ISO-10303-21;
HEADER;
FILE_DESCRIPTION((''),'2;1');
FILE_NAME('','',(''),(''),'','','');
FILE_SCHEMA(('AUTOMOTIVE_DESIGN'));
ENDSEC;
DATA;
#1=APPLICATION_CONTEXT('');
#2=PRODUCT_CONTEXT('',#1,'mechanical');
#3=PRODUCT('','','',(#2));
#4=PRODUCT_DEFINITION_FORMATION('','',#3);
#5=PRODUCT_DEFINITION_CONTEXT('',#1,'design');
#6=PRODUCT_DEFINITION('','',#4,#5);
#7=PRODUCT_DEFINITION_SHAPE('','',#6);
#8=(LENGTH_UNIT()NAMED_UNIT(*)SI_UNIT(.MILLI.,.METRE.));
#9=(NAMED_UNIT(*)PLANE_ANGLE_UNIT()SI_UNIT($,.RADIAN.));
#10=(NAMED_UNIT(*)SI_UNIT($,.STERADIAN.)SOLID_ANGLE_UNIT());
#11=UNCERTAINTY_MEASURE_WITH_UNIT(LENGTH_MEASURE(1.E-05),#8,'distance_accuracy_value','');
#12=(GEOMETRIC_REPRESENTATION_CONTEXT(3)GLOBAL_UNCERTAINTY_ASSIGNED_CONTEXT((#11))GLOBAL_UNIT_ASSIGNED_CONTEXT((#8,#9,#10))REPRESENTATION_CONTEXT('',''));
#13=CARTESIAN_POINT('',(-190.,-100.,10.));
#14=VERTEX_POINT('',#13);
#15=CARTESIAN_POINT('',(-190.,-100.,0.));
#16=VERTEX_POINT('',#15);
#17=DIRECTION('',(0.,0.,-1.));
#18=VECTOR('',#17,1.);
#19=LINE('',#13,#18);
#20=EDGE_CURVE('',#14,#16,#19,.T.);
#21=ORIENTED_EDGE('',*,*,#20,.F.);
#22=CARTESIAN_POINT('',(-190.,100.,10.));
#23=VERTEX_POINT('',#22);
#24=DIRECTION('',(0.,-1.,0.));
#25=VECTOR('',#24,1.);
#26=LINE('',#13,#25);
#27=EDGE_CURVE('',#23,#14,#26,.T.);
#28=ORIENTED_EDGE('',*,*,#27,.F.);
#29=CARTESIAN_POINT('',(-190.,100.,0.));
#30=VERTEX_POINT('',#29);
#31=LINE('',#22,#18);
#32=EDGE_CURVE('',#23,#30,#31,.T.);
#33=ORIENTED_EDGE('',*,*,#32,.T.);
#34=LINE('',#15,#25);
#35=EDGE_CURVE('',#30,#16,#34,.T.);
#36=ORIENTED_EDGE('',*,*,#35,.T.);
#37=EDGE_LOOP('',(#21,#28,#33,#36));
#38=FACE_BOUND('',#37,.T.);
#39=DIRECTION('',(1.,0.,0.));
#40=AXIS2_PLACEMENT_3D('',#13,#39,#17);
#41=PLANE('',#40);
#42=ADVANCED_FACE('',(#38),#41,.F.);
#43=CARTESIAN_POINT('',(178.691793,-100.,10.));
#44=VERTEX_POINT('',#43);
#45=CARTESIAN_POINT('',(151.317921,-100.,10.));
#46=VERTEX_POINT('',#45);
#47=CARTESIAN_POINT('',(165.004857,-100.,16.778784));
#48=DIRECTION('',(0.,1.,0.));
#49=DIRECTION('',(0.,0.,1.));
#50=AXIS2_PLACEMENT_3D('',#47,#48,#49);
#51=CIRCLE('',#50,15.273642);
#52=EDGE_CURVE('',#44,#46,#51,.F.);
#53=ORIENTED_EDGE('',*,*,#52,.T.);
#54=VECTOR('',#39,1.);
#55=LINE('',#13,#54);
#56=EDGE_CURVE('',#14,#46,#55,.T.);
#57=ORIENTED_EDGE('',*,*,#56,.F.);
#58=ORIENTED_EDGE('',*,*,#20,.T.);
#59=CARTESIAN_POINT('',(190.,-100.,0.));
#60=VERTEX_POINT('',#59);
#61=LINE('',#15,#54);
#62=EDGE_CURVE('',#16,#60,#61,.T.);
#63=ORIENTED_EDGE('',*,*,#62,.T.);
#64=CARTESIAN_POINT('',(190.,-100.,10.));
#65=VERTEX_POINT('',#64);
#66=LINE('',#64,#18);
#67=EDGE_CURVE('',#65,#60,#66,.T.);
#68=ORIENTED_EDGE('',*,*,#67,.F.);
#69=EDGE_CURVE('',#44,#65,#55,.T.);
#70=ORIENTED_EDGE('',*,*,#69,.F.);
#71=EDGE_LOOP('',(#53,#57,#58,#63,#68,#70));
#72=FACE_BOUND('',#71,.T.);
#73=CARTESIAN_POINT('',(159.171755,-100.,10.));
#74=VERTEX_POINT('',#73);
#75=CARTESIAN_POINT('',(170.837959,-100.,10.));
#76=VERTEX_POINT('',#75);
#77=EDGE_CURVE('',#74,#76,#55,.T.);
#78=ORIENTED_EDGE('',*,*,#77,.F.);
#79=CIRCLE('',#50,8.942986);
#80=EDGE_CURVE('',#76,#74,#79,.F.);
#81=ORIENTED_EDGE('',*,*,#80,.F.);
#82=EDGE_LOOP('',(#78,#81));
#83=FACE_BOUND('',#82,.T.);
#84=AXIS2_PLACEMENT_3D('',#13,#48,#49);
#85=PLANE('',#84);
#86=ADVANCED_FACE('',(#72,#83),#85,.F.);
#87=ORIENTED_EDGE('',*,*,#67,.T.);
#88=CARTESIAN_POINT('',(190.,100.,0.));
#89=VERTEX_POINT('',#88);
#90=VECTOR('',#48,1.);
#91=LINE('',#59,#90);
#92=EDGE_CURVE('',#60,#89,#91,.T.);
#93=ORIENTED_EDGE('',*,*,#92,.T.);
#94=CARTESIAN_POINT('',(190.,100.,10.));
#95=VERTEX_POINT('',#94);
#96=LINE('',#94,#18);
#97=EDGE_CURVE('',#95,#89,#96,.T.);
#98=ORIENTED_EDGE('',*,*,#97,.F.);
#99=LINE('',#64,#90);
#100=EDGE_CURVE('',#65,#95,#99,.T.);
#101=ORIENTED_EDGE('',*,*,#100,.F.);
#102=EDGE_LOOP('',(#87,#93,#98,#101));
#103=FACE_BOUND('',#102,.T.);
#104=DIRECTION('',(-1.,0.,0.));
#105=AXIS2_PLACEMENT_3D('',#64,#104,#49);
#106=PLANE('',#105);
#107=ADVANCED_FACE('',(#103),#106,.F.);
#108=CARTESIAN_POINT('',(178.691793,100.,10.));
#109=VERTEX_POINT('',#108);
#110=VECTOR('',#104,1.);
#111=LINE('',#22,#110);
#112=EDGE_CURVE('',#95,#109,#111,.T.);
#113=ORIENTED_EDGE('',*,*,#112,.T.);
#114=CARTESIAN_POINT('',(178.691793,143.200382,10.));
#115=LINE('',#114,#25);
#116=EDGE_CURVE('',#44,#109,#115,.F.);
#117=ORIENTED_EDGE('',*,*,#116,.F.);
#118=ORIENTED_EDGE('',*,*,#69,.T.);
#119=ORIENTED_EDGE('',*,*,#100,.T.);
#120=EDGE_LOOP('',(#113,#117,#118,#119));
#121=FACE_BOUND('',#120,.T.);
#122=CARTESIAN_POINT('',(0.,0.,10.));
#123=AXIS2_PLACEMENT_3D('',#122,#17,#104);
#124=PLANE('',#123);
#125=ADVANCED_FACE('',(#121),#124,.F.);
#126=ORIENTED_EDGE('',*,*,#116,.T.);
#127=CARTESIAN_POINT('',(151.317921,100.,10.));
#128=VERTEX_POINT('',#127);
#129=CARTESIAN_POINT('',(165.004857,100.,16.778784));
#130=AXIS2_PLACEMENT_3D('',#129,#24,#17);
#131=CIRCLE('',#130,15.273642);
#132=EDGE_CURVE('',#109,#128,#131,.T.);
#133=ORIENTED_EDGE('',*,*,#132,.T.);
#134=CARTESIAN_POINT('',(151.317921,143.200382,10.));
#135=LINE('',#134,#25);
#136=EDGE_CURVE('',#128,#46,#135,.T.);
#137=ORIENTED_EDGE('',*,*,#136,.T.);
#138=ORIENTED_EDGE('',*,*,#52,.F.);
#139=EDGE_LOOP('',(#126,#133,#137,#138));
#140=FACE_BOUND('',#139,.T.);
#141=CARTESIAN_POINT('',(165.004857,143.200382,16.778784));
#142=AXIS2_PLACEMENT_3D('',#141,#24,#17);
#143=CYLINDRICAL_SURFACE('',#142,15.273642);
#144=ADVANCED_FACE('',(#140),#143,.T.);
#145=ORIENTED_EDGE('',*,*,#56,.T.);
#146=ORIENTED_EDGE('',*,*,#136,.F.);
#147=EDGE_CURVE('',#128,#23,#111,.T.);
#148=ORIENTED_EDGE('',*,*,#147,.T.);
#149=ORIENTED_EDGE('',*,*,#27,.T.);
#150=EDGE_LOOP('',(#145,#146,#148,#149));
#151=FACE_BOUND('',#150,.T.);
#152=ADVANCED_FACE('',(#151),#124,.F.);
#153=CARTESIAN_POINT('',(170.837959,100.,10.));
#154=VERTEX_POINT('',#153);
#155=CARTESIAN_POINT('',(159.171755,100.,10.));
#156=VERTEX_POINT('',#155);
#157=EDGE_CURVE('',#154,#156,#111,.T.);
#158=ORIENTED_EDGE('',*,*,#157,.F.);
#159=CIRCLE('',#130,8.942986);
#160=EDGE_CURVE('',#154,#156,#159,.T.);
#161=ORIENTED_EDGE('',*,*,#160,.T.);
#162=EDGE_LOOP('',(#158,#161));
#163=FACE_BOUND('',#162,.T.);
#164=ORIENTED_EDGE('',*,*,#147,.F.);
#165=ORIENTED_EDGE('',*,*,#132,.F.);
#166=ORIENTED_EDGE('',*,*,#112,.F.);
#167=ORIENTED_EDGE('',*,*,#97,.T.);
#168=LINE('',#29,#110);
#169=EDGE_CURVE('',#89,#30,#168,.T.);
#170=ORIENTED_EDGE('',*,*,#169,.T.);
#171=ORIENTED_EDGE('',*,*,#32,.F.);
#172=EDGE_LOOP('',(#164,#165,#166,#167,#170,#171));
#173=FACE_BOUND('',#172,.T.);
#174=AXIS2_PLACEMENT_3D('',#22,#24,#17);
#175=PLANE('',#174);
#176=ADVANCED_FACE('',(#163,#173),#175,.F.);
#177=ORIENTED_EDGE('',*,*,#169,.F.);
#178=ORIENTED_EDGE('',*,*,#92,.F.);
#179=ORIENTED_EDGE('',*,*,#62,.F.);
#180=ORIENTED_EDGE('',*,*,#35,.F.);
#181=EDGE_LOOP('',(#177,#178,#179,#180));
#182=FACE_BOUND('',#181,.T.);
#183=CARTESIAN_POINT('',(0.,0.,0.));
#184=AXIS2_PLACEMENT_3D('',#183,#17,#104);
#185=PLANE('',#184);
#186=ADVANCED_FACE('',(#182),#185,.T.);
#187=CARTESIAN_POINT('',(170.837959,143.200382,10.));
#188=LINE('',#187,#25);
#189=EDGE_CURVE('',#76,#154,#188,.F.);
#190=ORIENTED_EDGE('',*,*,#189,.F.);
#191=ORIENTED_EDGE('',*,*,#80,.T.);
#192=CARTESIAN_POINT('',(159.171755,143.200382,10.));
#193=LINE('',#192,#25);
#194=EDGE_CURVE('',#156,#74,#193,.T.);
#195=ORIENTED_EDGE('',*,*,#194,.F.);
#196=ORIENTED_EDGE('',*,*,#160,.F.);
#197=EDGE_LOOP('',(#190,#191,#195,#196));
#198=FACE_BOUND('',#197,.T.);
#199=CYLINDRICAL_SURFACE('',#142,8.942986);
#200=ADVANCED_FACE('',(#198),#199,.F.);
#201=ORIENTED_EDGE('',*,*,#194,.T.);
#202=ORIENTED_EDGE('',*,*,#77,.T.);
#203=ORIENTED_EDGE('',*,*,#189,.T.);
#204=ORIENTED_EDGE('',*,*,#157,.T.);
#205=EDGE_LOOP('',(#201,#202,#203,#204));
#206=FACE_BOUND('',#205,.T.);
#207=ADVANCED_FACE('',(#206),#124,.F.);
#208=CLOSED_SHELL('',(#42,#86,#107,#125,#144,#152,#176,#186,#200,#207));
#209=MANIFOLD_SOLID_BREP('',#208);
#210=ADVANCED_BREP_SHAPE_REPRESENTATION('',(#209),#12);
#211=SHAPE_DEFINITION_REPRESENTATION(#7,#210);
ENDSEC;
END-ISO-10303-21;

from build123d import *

# Parameters (mm, degrees)
SKETCH1_W                       = 380
SKETCH1_H                       = 200
FOOT_DEPTH                      = 10
BOSS_EXTRUDE2_REACH             = 216.942
SKETCH2_R                       = 15.273641531
SKETCH2_R_2                     = 8.942985805
BOSS_EXTRUDE2_DIRECTION_2_REACH = 216.942


with BuildPart() as part:
    # Sketch1 → Foot (new body)
    with BuildSketch(Plane.XY):
        Rectangle(SKETCH1_W, SKETCH1_H)
    extrude(amount=FOOT_DEPTH)

    # Boss-Extrude2: up to this face of the body (flat: up to its plane)
    boss_extrude2_end = Plane(part.part.faces().sort_by_distance((0, 100, 5))[0])
    # Sketch2 → Boss-Extrude2 (add, up to the picked face)
    with BuildSketch(Plane(origin=(0, 0, 0), x_dir=(1, 0, 0), z_dir=(0, 1, 0)), mode=Mode.PRIVATE) as boss_extrude2_sk1:
        with Locations((165.004857041, -16.778784358)):
            Circle(SKETCH2_R)
        with Locations((165.004857041, -16.778784358)):
            Circle(SKETCH2_R_2, mode=Mode.SUBTRACT)
    boss_extrude2_tool1 = split(extrude(boss_extrude2_sk1.sketch, amount=BOSS_EXTRUDE2_REACH, mode=Mode.PRIVATE), bisect_by=boss_extrude2_end, keep=Keep.BOTH, mode=Mode.PRIVATE)
    add(boss_extrude2_tool1.solids().sort_by(Axis((150.163219, 0, 16.778784), (0, 1, 0)))[0])

    # Boss-Extrude2 direction 2: up to this face of the body (flat: up to its plane)
    boss_extrude2_direction_2_end = Plane(part.part.faces().sort_by_distance((0, -100, 5))[0])
    # Sketch2 → Boss-Extrude2 direction 2 (add, up to the picked face)
    with BuildSketch(Plane(origin=(0, 0, 0), x_dir=(1, 0, 0), z_dir=(0, 1, 0)), mode=Mode.PRIVATE) as boss_extrude2_direction_2_sk1:
        with Locations((165.004857041, -16.778784358)):
            Circle(SKETCH2_R)
        with Locations((165.004857041, -16.778784358)):
            Circle(SKETCH2_R_2, mode=Mode.SUBTRACT)
    boss_extrude2_direction_2_tool1 = split(extrude(boss_extrude2_direction_2_sk1.sketch, amount=-BOSS_EXTRUDE2_DIRECTION_2_REACH, mode=Mode.PRIVATE), bisect_by=boss_extrude2_direction_2_end, keep=Keep.BOTH, mode=Mode.PRIVATE)
    add(boss_extrude2_direction_2_tool1.solids().sort_by(Axis((150.163219, 0, 16.778784), (0, -1, 0)))[0])


solid = part.part
